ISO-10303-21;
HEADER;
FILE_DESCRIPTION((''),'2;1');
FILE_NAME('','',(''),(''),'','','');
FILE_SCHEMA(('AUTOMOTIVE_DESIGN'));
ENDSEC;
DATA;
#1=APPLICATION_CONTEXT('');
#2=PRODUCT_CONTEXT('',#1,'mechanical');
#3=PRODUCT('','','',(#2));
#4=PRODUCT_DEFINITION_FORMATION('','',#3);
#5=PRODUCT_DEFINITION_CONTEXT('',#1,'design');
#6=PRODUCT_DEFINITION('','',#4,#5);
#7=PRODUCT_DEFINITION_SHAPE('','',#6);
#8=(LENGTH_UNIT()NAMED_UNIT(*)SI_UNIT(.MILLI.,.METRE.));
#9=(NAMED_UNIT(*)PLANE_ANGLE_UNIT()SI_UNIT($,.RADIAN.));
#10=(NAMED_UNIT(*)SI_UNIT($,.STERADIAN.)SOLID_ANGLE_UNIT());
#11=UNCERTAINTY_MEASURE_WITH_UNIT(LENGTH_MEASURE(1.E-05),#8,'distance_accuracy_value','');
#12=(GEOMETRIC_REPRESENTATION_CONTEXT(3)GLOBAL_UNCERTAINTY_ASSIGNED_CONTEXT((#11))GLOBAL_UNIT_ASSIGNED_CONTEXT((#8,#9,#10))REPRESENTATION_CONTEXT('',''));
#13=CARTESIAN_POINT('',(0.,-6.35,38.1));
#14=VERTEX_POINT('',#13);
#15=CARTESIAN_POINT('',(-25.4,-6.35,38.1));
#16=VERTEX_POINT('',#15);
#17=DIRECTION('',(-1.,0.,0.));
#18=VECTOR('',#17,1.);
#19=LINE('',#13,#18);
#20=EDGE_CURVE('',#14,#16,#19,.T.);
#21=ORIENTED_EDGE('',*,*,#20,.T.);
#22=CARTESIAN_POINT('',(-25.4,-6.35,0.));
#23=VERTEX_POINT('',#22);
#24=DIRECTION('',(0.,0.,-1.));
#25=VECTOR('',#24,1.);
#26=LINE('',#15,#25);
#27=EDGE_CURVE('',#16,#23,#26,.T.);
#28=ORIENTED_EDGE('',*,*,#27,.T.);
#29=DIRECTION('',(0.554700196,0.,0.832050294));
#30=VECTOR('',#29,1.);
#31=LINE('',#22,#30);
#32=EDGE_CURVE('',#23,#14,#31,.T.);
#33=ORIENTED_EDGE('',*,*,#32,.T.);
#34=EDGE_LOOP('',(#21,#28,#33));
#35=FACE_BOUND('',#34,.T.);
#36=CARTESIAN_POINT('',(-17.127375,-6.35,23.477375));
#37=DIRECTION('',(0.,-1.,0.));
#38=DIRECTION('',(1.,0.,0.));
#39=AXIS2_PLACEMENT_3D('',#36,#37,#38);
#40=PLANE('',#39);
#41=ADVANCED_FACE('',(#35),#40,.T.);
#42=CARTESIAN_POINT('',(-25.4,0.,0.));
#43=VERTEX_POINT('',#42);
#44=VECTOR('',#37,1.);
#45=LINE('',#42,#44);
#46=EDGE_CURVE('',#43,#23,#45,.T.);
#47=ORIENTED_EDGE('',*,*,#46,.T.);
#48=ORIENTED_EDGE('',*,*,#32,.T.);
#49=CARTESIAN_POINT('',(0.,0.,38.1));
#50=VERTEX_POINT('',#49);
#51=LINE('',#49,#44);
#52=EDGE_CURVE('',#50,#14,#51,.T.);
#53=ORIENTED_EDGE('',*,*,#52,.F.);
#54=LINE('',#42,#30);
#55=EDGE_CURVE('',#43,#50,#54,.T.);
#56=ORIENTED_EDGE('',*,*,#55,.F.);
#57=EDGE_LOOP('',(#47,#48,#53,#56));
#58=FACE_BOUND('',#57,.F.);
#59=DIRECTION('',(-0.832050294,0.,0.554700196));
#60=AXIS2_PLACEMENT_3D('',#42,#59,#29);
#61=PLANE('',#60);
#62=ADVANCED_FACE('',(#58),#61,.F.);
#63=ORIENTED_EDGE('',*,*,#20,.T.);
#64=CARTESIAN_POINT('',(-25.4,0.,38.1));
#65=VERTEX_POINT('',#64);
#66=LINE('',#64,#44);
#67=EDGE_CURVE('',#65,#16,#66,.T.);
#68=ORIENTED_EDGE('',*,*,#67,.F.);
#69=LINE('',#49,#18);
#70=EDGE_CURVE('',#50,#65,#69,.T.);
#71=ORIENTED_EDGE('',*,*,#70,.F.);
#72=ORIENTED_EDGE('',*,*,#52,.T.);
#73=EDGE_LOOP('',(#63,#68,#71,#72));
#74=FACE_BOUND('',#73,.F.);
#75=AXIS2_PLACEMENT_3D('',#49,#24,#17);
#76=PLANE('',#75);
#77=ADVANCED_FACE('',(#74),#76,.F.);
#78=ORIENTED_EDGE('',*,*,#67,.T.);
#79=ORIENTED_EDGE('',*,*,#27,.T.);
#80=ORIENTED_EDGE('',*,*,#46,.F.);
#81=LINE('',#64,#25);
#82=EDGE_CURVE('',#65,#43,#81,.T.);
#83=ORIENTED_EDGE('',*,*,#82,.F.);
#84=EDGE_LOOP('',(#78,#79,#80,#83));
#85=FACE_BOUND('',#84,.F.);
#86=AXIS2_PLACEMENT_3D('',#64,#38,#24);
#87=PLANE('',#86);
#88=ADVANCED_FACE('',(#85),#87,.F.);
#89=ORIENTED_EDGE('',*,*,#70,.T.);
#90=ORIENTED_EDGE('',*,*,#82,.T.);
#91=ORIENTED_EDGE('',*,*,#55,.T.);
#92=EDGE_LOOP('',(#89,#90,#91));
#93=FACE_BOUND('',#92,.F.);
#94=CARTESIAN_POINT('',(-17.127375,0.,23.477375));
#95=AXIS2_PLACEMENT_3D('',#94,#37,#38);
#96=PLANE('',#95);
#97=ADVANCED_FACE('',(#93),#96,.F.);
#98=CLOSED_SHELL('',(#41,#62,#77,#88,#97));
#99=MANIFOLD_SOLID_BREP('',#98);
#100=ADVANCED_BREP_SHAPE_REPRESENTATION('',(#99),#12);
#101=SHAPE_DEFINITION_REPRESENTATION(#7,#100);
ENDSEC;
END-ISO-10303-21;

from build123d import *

# Parameters (mm, degrees)
F2_DEPTH = 6.35


with BuildPart() as f2:
    # F1 (on face) → F2 (new body)
    with BuildSketch(Plane.XZ):
        Polygon((-25.4, 0), (0, 38.1), (-25.4, 38.1), align=None)
    extrude(amount=F2_DEPTH)


solid = f2.part
